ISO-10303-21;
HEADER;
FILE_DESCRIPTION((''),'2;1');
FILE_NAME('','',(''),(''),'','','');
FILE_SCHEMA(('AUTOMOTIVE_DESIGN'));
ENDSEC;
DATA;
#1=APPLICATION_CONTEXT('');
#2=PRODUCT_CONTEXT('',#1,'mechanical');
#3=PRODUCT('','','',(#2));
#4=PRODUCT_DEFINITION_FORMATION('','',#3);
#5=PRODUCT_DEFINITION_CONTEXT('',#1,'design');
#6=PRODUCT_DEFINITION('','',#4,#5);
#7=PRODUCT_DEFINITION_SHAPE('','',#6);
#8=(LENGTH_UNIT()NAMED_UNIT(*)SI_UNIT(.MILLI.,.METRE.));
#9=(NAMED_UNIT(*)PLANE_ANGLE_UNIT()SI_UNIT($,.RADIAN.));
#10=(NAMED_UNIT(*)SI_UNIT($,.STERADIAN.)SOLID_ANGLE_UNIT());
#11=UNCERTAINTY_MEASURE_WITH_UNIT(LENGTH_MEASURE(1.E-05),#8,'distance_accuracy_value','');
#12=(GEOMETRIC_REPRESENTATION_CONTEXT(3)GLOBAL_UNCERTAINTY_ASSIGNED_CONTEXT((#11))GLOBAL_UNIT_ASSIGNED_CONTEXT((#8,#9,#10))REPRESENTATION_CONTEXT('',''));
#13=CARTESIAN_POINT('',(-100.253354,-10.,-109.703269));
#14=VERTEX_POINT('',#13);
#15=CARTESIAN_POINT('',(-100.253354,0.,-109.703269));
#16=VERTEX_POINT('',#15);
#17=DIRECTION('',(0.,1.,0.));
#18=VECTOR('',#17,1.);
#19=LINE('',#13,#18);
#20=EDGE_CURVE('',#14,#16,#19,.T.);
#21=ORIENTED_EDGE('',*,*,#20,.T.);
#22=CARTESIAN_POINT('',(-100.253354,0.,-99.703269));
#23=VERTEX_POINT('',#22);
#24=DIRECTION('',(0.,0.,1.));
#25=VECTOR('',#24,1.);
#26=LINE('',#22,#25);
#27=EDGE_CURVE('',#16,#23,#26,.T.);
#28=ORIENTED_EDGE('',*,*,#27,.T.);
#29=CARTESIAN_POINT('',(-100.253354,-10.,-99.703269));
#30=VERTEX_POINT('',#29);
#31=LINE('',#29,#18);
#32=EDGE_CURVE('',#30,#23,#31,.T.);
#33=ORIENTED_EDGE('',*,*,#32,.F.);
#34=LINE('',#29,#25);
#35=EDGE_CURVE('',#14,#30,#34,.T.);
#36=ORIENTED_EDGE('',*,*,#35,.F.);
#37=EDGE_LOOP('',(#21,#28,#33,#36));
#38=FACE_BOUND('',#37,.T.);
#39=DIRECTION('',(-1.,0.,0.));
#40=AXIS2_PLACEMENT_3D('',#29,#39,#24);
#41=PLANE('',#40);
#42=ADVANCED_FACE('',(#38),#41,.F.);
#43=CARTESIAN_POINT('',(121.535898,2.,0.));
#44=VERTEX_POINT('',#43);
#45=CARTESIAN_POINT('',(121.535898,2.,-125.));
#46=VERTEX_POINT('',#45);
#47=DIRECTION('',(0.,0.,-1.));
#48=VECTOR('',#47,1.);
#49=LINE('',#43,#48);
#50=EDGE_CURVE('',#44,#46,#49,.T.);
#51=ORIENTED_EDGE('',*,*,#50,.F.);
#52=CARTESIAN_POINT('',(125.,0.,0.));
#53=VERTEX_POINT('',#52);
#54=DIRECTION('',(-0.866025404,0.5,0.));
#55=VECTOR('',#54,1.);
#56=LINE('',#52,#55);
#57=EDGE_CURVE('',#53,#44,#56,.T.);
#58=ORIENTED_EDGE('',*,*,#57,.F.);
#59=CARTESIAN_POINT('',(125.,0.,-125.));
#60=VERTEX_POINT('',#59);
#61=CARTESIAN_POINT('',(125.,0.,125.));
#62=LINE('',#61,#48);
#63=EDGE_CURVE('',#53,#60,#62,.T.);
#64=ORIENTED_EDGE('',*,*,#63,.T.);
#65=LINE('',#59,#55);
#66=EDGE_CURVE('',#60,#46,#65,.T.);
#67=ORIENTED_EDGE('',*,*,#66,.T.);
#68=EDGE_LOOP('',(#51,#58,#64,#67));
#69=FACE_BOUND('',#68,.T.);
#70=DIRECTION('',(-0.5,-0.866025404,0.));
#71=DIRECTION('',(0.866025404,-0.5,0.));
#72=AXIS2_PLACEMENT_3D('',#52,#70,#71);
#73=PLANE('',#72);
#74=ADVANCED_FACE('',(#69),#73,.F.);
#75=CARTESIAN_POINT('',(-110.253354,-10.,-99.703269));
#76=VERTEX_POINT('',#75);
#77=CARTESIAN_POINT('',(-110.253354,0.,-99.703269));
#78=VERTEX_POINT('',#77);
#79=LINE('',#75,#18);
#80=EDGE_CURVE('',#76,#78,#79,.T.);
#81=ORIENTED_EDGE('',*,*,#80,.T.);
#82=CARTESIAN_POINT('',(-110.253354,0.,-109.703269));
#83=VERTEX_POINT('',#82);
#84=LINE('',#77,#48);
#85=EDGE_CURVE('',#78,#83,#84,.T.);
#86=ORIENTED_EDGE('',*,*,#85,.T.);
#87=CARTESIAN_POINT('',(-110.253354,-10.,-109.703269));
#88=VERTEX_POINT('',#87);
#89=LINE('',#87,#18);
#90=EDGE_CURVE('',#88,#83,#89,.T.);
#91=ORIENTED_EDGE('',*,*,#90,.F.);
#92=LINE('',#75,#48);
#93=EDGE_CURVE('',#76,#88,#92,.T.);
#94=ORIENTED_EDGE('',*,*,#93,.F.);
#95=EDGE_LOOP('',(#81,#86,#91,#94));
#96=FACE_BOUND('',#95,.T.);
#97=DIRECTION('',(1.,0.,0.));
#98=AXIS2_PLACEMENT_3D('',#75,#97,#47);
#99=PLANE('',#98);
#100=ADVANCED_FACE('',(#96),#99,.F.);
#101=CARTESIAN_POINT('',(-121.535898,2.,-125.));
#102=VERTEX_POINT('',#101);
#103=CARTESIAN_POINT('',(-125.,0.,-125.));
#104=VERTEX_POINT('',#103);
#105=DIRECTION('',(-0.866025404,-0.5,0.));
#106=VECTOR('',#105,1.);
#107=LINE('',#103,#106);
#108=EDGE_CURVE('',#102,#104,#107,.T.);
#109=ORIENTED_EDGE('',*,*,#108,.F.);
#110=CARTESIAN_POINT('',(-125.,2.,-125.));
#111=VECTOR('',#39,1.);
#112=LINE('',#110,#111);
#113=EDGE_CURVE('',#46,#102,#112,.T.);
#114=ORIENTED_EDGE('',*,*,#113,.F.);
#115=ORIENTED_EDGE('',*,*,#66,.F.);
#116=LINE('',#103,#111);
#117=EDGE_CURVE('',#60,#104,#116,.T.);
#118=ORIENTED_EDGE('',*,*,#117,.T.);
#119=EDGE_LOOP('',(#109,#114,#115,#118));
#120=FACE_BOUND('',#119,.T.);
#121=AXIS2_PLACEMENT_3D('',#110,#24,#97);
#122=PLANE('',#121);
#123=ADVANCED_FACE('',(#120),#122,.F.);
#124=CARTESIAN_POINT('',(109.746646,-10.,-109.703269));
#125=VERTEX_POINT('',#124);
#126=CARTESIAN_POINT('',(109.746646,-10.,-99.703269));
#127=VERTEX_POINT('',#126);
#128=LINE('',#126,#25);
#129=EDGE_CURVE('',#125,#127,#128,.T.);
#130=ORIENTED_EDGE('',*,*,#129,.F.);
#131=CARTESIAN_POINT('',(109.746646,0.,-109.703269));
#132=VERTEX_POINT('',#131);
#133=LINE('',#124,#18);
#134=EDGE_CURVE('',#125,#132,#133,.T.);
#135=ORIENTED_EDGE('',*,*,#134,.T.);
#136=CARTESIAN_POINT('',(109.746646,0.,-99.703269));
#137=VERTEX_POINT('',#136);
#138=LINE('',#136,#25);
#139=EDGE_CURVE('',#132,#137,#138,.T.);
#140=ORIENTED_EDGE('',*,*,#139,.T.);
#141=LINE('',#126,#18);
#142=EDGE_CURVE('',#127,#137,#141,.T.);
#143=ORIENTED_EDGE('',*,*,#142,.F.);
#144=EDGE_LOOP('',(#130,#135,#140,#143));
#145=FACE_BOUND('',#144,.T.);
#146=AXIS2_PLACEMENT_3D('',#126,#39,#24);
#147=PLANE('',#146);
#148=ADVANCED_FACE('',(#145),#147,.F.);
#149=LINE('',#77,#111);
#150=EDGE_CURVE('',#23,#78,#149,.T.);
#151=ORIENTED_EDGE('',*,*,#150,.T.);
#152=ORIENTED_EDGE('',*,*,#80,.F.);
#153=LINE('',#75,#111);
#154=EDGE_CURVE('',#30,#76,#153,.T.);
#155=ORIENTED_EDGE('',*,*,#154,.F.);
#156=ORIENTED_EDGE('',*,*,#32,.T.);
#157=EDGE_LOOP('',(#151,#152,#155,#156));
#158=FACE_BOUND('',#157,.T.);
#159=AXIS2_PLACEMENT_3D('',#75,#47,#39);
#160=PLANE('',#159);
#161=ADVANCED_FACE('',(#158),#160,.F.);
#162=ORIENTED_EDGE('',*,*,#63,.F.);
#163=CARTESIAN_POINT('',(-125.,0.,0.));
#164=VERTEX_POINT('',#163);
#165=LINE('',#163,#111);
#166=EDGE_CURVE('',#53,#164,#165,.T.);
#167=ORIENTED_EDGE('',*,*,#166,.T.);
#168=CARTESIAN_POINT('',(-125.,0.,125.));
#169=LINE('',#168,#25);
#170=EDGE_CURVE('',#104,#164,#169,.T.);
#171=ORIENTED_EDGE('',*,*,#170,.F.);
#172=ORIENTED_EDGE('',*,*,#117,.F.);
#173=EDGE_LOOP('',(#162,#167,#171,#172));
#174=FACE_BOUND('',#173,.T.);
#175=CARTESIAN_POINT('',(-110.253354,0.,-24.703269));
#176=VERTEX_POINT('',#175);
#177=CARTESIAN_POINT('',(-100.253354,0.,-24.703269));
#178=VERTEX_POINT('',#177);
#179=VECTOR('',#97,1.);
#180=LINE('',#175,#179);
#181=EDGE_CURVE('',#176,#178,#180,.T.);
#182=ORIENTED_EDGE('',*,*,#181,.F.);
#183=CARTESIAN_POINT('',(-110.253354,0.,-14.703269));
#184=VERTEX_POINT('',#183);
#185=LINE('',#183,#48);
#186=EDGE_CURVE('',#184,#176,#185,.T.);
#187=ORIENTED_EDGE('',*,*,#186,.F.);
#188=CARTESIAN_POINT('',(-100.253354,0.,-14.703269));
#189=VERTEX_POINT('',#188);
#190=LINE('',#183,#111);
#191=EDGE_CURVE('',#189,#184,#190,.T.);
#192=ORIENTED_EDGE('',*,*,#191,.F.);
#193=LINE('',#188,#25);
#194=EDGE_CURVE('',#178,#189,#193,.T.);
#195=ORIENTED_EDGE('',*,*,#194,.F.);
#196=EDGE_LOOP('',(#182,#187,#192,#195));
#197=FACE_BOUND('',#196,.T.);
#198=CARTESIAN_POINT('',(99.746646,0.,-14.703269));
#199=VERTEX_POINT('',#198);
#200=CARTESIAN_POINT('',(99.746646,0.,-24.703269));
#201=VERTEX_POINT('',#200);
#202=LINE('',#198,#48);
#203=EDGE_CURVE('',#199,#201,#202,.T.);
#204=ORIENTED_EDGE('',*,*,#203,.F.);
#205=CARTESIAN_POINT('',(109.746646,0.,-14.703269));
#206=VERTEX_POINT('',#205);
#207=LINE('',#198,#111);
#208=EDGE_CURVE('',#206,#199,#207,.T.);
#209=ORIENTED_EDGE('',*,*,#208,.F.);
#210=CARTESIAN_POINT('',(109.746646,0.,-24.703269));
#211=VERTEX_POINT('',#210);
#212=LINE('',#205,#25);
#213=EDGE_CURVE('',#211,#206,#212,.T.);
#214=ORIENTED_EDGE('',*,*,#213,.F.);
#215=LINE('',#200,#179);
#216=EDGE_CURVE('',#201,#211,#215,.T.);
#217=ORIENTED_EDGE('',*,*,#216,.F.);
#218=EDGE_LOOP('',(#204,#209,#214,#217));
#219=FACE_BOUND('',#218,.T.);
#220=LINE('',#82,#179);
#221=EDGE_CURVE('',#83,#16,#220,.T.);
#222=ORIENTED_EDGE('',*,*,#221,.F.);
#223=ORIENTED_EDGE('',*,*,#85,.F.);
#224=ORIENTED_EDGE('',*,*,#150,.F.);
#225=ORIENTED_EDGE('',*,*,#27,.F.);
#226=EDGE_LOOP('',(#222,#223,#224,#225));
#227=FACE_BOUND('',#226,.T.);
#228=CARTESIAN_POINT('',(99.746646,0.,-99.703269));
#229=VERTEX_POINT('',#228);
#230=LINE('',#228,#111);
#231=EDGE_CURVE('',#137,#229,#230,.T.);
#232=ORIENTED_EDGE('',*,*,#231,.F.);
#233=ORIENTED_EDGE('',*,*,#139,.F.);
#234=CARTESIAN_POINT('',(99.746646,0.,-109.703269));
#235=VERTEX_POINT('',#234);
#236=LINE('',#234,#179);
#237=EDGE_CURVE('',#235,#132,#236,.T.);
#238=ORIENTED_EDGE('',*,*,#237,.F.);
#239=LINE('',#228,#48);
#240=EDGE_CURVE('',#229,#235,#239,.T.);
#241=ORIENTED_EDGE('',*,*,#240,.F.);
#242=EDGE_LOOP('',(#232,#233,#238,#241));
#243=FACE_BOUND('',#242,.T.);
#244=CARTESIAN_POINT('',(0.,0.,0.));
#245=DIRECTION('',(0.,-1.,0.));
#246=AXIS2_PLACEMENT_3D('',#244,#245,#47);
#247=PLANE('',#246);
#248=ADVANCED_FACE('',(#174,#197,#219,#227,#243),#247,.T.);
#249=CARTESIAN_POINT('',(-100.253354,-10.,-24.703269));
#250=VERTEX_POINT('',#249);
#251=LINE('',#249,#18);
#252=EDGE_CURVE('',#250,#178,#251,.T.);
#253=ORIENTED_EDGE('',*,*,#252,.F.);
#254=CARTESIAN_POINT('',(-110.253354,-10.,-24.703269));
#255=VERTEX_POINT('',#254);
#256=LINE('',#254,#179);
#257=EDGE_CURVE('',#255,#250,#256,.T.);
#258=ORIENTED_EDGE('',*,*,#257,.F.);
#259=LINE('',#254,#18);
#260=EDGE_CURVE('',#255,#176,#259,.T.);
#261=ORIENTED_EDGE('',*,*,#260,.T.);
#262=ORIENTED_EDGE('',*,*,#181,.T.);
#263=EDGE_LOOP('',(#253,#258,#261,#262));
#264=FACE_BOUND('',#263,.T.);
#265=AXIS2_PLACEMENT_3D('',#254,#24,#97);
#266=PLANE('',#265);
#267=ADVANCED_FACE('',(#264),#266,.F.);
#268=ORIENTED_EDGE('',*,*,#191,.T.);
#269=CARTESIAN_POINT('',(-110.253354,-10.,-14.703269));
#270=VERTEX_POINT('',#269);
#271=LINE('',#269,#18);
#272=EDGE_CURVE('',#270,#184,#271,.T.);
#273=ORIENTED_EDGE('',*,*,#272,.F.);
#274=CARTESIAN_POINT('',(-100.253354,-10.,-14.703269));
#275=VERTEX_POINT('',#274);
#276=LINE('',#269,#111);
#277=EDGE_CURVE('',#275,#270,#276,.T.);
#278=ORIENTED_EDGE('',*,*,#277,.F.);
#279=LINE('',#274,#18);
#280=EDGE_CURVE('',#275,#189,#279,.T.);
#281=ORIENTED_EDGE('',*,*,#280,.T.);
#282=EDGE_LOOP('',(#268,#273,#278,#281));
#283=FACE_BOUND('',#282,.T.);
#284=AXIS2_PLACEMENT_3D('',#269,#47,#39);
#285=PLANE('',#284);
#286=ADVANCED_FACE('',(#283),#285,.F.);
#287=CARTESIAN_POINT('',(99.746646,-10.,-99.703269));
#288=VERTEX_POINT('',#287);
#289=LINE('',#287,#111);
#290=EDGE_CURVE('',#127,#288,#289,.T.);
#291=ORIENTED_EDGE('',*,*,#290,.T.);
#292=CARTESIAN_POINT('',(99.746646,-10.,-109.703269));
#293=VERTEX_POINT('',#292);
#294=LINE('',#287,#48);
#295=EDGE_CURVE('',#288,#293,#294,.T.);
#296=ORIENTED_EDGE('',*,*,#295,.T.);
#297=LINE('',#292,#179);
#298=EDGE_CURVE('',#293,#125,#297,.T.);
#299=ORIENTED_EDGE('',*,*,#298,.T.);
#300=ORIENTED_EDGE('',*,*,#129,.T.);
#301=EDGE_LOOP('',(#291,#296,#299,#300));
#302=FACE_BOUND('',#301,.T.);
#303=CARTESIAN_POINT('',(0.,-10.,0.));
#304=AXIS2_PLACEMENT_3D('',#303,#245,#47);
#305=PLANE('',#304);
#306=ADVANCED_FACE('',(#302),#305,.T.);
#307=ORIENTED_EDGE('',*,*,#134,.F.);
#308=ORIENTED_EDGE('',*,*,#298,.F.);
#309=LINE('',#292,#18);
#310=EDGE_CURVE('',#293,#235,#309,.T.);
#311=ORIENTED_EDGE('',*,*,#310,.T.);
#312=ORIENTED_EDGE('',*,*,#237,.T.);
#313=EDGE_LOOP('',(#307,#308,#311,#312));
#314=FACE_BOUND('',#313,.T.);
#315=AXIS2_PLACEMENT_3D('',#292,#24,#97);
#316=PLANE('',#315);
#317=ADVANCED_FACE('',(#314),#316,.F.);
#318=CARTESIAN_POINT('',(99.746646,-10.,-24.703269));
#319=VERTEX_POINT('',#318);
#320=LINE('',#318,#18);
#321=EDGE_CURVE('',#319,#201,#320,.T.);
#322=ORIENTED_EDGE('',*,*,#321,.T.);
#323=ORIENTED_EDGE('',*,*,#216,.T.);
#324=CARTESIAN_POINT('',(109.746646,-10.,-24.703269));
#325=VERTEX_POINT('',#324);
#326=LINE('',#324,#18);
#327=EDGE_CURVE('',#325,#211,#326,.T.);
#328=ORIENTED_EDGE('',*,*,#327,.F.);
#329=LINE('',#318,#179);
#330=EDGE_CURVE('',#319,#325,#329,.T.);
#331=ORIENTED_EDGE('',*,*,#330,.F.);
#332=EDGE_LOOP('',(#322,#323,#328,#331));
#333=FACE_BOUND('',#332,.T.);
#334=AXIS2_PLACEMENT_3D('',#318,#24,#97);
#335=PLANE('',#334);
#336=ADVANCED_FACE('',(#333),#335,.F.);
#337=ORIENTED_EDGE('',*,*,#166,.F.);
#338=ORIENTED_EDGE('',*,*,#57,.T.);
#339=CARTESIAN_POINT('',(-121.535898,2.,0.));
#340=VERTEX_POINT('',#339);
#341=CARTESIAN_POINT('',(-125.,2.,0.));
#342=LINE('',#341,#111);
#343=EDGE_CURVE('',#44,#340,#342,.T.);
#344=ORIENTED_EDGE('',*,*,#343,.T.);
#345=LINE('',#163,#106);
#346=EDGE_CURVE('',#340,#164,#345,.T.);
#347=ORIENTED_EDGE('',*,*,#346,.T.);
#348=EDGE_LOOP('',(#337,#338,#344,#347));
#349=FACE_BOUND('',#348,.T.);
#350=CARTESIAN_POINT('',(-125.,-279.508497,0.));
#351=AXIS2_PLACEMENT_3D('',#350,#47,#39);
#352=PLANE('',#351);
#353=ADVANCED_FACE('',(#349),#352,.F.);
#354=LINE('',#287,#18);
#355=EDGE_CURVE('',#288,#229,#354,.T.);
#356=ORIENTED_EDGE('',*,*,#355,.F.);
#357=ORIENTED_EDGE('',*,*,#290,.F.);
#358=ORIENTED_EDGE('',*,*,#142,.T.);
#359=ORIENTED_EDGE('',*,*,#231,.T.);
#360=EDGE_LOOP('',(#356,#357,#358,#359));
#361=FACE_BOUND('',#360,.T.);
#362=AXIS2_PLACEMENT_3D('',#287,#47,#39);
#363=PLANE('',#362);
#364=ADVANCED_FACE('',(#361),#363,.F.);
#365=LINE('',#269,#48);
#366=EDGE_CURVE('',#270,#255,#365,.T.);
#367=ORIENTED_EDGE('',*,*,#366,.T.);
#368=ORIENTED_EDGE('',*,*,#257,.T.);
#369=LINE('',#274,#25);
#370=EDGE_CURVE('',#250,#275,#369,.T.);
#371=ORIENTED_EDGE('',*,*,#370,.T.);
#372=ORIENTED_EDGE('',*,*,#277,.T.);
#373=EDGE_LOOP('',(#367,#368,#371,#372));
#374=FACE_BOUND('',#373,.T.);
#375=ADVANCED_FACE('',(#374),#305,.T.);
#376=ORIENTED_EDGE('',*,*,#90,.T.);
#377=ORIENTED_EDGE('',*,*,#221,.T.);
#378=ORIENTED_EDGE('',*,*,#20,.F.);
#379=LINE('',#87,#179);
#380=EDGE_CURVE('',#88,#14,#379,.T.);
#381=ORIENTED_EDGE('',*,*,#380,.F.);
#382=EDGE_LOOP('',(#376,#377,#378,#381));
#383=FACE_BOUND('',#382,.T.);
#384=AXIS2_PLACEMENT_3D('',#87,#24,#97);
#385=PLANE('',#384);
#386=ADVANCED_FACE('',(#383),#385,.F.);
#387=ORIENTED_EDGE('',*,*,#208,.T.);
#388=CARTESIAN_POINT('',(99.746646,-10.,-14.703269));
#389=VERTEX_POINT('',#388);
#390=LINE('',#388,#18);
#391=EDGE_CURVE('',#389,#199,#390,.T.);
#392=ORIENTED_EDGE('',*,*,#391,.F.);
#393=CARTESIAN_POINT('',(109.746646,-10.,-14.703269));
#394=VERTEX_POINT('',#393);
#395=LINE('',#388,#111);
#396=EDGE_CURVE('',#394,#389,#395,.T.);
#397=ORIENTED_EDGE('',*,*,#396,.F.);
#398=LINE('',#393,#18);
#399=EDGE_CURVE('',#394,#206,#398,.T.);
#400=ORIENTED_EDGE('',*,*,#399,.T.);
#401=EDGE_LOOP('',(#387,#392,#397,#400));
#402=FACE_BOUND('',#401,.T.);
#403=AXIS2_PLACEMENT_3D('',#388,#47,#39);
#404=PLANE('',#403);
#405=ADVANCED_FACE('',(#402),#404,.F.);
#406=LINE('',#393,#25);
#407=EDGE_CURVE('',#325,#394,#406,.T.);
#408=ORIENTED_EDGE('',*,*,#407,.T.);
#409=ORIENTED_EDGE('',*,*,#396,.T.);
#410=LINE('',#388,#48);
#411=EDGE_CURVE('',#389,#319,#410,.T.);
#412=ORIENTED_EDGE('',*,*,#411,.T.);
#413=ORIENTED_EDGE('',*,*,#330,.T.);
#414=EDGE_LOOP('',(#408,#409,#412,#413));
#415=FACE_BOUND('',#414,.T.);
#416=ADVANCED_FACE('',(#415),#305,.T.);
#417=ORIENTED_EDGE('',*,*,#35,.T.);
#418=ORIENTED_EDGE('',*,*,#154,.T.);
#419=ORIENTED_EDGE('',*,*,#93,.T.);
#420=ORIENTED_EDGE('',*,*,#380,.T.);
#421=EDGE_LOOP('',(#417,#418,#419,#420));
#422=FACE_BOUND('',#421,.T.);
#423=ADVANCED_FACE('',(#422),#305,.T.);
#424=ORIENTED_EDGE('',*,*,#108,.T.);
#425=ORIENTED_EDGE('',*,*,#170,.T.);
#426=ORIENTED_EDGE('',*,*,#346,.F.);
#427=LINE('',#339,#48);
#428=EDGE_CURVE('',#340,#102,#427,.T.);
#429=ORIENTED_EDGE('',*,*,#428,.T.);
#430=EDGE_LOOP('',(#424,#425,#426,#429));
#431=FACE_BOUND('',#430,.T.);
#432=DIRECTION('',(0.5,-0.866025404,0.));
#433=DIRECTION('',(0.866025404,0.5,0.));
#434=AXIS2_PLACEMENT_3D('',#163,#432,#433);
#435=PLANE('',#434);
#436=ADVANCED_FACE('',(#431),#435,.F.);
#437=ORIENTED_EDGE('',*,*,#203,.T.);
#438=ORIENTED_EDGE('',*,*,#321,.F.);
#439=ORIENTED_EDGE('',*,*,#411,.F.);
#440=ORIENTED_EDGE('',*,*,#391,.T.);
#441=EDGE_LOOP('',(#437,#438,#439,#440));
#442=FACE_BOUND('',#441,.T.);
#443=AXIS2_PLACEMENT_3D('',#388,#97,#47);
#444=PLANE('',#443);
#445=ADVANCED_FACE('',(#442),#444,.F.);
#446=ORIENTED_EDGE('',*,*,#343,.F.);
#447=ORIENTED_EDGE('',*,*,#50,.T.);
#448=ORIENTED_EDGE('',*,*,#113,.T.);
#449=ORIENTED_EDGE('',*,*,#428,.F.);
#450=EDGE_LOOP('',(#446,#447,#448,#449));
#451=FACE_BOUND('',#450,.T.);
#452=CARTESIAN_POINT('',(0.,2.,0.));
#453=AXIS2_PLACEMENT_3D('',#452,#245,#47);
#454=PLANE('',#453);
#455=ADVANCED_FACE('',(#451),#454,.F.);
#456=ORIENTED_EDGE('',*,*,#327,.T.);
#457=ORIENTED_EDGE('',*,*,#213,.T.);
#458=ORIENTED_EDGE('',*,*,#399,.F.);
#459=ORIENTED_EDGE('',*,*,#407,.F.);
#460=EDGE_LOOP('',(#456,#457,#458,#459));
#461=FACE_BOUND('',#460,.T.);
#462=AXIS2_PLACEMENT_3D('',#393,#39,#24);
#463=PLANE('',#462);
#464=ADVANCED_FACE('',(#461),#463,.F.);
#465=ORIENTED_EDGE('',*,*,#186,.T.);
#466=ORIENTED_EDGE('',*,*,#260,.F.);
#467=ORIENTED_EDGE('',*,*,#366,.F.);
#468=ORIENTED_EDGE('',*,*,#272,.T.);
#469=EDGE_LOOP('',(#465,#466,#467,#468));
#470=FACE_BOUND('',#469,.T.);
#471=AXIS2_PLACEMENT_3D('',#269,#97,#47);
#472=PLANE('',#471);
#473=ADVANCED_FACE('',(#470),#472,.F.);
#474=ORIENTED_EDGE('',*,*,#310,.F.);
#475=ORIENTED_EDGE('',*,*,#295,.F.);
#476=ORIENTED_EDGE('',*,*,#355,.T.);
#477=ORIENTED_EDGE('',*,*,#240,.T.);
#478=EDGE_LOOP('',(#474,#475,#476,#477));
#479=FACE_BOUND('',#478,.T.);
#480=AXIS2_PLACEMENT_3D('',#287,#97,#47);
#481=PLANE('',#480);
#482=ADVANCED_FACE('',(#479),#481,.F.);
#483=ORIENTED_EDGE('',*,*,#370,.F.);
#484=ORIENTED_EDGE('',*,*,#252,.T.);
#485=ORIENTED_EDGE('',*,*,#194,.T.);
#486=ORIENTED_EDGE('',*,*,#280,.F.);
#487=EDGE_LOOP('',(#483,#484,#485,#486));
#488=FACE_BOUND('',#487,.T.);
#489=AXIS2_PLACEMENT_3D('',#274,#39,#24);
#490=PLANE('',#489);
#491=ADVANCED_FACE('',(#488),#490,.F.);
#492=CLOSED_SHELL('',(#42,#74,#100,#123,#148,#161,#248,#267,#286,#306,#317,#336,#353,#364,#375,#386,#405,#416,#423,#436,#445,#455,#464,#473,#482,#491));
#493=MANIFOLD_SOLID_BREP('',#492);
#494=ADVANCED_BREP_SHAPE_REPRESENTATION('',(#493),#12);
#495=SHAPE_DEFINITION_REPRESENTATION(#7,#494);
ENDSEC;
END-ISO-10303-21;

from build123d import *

# Parameters (mm, degrees)
SKETCH_1_W          = 250
SKETCH_1_H          = 250
EXTRUDE_1_DEPTH     = 2
SKETCH_2_W          = 250
SKETCH_2_H          = 125
CUT_EXTRUDE_1_DEPTH = 2
SKETCH_6_W          = 10
SKETCH_6_H          = 10
EXTRUDE_3_DEPTH     = 10
CUT_EXTRUDE_2_DEPTH = 178.059312096


with BuildPart() as part:
    # 草图1 → 凸台-拉伸1 (new body)
    with BuildSketch(Plane(origin=(0, 0, 0), x_dir=(1, 0, 0), z_dir=(0, 1, 0))):
        Rectangle(SKETCH_1_W, SKETCH_1_H)
    extrude(amount=EXTRUDE_1_DEPTH)

    # 草图2 → 切除-拉伸1 (cut)
    with BuildSketch(Plane(origin=(0, 2, 0), x_dir=(1, 0, 0), z_dir=(0, 1, 0))):
        with Locations((0, -62.5)):
            Rectangle(SKETCH_2_W, SKETCH_2_H)
    extrude(amount=-CUT_EXTRUDE_1_DEPTH, mode=Mode.SUBTRACT)

    # 草图6 → 凸台-拉伸3 (add)
    with BuildSketch(Plane.XZ):
        with Locations((-105.253353702, -19.703268914)):
            Rectangle(SKETCH_6_W, SKETCH_6_H)
        with Locations((-105.253353702, -104.703268914)):
            Rectangle(SKETCH_6_W, SKETCH_6_H)
        with Locations((104.746646298, -19.703268914)):
            Rectangle(SKETCH_6_W, SKETCH_6_H)
        with Locations((104.746646298, -104.703268914)):
            Rectangle(SKETCH_6_W, SKETCH_6_H)
    extrude(amount=EXTRUDE_3_DEPTH)

    # 草图7 → 切除-拉伸2 (cut, through all)
    with BuildSketch(Plane(origin=(0, 0, -125), x_dir=(-1, 0, 0), z_dir=(0, 0, -1))):
        Polygon((-125, 2), (-125, 0), (-121.535898385, 2), align=None)
        Polygon((121.535898385, 2), (125, 2), (125, 0), align=None)
    extrude(amount=-CUT_EXTRUDE_2_DEPTH, mode=Mode.SUBTRACT)


solid = part.part
